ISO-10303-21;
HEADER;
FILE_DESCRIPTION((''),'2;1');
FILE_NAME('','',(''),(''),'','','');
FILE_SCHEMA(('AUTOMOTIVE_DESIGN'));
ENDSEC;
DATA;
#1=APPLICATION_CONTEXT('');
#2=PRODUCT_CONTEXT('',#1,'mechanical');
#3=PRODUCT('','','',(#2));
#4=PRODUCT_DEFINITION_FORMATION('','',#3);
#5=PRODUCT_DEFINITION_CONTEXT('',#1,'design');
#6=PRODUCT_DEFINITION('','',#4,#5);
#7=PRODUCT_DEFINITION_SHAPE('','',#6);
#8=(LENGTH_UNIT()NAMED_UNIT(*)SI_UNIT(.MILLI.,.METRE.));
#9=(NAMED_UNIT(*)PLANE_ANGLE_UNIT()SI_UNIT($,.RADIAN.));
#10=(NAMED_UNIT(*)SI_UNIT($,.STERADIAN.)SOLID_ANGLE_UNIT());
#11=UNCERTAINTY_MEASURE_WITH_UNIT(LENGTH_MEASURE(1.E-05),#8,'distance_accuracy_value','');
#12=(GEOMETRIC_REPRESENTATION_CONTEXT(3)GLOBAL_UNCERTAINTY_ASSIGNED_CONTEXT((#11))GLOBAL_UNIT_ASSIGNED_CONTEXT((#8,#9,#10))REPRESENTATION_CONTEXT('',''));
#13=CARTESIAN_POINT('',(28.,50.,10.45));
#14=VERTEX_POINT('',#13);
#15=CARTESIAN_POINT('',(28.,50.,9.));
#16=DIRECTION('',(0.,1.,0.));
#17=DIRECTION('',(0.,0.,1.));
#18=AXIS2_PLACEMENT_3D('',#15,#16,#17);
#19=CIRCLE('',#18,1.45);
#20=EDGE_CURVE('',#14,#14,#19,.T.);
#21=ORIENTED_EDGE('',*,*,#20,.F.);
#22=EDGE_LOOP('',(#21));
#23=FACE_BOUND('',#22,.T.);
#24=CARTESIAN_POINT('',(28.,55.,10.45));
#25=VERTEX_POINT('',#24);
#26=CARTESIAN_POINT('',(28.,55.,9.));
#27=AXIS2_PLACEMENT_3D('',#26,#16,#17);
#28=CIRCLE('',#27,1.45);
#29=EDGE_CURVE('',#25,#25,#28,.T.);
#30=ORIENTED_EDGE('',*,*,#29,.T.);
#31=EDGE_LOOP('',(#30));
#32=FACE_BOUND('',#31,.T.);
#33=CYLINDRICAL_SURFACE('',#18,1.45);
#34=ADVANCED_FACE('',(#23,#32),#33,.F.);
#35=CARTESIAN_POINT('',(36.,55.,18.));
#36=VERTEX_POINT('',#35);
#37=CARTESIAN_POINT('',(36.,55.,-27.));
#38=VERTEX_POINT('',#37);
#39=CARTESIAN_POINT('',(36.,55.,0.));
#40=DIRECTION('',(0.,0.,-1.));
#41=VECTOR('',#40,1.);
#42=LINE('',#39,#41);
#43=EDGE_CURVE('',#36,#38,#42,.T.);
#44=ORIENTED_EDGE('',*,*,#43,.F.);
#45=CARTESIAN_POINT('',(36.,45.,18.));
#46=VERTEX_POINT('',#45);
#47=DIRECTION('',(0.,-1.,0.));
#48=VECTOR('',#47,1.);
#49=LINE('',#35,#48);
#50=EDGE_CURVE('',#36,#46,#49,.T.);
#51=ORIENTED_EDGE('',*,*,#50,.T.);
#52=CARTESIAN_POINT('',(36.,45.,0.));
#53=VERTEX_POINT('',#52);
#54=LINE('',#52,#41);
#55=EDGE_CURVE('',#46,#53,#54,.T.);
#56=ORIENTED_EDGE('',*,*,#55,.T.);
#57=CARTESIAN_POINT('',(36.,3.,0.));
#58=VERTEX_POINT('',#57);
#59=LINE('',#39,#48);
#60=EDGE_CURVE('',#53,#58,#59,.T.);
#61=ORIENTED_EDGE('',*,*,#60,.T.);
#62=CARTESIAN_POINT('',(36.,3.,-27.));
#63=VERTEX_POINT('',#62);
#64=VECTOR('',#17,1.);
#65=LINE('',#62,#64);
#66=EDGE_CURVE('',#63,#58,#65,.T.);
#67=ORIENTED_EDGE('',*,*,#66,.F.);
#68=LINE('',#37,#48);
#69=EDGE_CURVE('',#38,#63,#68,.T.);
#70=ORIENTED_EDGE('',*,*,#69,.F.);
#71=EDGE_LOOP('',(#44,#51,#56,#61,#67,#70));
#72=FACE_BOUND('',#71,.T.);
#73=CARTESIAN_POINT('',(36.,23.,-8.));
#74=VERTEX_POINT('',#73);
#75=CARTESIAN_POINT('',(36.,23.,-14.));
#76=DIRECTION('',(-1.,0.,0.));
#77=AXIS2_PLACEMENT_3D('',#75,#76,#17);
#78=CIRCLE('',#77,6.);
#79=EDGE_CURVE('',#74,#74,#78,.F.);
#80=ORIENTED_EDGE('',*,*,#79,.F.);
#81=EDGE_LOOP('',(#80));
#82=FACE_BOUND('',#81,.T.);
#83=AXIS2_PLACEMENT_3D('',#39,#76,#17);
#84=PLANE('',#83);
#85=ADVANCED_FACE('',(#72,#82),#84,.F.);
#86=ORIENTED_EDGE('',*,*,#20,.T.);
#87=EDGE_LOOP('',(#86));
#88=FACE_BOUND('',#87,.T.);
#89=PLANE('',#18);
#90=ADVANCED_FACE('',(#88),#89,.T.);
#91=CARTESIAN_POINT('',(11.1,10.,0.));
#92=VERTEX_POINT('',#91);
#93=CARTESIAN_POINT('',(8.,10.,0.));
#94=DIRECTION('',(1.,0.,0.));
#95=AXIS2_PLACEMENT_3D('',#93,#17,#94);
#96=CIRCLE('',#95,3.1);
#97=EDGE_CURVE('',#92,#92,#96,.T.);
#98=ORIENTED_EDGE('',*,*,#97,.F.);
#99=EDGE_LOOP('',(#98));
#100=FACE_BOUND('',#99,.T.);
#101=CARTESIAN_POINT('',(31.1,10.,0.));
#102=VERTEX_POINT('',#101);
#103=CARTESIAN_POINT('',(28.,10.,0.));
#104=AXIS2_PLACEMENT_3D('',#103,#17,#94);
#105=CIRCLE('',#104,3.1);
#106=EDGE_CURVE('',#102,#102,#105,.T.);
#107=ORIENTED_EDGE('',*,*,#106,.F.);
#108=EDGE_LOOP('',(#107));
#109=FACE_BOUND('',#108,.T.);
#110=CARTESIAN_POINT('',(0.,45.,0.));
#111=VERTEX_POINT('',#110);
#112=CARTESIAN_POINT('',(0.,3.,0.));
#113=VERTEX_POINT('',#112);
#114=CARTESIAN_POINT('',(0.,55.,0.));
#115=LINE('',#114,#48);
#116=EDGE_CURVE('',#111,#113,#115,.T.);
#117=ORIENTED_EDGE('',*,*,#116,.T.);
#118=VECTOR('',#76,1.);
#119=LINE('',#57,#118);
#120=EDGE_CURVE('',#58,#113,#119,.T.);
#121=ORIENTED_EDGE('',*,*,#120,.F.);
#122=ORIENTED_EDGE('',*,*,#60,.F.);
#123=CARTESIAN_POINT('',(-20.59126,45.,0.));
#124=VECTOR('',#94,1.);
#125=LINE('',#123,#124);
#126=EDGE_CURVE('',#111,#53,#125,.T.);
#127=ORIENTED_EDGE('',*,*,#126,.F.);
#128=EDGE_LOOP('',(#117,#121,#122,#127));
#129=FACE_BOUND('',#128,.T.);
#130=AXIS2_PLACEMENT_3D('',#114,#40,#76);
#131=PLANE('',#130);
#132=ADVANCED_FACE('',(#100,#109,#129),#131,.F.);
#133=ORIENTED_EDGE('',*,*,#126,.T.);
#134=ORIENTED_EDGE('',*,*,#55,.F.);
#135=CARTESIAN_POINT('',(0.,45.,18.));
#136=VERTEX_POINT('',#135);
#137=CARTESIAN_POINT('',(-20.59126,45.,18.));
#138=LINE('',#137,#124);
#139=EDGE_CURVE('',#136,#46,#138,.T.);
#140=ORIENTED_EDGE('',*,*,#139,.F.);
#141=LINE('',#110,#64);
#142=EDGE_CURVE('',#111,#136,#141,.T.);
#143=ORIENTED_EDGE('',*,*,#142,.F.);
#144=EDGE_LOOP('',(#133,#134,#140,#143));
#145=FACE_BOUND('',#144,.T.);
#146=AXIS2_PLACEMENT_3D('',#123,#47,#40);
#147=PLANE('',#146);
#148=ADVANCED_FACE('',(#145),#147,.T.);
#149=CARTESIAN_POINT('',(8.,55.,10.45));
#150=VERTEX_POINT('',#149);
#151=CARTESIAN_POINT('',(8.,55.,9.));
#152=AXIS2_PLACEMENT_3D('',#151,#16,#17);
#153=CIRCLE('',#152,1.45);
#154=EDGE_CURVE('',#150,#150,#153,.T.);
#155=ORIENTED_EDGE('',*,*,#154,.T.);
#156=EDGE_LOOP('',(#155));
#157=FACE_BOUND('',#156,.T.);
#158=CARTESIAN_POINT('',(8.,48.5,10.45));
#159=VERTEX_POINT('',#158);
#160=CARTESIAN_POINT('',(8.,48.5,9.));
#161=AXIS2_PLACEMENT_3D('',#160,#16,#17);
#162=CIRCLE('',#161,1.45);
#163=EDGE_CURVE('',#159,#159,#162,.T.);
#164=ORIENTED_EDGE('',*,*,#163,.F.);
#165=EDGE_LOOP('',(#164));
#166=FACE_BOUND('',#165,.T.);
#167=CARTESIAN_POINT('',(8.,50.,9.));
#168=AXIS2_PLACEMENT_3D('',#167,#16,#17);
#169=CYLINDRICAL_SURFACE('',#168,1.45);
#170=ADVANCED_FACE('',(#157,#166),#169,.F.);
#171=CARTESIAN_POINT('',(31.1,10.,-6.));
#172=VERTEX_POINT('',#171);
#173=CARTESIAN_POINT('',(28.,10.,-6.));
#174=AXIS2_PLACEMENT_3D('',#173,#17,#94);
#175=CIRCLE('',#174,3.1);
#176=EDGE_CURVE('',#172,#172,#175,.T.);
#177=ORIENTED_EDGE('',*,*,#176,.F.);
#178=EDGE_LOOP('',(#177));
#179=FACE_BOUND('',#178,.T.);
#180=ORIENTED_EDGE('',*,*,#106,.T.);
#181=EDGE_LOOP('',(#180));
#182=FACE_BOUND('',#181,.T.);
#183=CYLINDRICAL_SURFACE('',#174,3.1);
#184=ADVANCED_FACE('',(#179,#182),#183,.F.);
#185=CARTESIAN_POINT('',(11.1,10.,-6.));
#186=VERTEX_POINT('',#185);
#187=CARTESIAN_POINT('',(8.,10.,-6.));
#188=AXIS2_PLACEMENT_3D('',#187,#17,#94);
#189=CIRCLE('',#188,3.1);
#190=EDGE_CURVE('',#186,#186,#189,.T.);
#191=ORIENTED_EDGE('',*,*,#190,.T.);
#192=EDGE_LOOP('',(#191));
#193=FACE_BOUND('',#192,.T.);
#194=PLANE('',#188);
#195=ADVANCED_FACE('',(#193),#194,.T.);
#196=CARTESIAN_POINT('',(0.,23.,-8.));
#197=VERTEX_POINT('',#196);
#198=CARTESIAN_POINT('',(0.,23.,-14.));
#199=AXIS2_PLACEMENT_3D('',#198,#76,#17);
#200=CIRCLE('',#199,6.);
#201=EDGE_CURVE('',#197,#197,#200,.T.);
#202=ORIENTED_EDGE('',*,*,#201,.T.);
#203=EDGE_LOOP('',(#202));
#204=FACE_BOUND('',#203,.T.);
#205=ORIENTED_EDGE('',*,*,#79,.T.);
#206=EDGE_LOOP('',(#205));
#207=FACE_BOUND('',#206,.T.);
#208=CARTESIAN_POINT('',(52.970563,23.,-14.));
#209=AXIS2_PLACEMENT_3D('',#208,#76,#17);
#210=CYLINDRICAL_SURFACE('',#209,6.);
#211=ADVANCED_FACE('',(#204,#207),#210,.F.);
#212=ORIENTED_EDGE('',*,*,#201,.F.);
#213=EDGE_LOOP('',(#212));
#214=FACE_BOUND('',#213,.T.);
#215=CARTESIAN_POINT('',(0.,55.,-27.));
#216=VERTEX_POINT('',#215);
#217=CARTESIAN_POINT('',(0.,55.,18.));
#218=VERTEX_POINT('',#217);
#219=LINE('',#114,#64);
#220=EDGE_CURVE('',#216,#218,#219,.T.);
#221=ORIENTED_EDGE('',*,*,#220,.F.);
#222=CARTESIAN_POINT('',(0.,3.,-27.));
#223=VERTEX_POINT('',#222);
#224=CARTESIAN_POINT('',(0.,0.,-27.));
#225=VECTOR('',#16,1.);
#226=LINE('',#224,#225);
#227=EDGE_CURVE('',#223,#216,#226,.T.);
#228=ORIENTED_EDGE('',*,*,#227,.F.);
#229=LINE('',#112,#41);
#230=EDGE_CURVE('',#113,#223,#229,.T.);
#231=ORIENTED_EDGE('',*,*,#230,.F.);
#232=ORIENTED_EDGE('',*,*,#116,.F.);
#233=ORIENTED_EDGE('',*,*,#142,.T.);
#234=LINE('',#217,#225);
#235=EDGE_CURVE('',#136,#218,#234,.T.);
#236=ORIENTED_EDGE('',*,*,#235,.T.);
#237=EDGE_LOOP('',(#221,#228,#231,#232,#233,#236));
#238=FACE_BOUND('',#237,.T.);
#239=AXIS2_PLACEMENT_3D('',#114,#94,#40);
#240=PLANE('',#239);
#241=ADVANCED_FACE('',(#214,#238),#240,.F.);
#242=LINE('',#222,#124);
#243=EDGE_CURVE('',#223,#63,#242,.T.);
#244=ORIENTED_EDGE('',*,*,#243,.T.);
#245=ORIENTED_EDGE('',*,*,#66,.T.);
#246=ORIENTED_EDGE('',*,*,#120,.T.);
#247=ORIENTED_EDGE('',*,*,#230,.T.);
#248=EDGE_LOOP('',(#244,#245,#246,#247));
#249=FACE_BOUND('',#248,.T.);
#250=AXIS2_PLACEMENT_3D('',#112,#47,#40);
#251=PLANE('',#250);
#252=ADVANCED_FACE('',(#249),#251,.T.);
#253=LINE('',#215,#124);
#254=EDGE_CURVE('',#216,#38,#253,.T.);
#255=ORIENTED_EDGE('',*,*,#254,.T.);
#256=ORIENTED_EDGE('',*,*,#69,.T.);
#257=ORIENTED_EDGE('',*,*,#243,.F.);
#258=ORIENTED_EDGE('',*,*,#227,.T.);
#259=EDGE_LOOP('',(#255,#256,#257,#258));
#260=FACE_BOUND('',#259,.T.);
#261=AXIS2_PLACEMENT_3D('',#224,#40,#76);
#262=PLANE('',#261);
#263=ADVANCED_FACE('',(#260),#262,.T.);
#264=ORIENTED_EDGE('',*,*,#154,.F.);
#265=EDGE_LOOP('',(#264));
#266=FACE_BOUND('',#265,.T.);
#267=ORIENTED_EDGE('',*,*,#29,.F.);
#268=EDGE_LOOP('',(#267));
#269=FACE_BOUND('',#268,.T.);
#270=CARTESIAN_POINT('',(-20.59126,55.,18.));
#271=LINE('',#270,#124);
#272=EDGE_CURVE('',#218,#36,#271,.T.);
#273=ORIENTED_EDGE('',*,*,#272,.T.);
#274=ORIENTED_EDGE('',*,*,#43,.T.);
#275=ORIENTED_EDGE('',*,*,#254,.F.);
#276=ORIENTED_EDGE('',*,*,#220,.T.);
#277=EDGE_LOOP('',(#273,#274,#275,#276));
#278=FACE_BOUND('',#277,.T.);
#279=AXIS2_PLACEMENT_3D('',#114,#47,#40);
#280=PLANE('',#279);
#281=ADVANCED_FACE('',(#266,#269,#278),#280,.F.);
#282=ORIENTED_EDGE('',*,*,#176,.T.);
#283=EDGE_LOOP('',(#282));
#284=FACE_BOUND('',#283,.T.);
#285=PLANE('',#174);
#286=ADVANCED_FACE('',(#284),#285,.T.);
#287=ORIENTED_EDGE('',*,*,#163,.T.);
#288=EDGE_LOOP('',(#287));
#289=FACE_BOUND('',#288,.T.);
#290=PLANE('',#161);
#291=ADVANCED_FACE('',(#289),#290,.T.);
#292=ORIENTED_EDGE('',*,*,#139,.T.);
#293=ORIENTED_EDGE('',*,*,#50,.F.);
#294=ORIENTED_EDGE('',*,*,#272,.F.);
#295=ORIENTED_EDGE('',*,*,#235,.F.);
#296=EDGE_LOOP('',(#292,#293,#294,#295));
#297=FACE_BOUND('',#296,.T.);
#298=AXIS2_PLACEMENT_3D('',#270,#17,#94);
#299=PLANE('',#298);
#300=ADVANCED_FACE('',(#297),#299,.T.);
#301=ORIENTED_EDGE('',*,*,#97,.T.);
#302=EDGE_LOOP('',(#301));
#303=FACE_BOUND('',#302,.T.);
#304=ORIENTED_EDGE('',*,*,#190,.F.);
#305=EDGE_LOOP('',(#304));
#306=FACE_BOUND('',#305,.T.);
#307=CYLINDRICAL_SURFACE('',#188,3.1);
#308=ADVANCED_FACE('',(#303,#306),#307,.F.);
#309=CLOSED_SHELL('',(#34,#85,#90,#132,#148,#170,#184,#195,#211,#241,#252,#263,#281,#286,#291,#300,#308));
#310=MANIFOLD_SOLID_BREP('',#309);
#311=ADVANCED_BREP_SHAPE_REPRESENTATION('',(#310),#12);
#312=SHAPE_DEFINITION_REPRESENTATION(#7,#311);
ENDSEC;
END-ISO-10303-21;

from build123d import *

# Parameters (mm, degrees)
SKETCH_1_W          = 36
SKETCH_1_H          = 24
EXTRUDE_1_DEPTH     = 55
SKETCH_2_R          = 6
CUT_EXTRUDE_1_DEPTH = 36
SKETCH_3_R          = 3.1
CUT_EXTRUDE_2_DEPTH = 6
SKETCH_5_W          = 18
SKETCH_5_H          = 10
EXTRUDE_2_DEPTH     = 36
SKETCH_6_R          = 1.45
CUT_EXTRUDE_3_DEPTH = 5
SKETCH_7_W          = 36
SKETCH_7_H          = 55
EXTRUDE_3_DEPTH     = 3
SKETCH_8_W          = 36
SKETCH_8_H          = 27
CUT_EXTRUDE_4_DEPTH = 3
SKETCH_9_R          = 1.45
CUT_EXTRUDE_5_DEPTH = 1.5


with BuildPart() as part:
    # 草图1 → 凸台-拉伸1 (new body)
    with BuildSketch(Plane(origin=(0, 0, 0), x_dir=(1, 0, 0), z_dir=(0, 1, 0))):
        with Locations((18, 12)):
            Rectangle(SKETCH_1_W, SKETCH_1_H)
    extrude(amount=EXTRUDE_1_DEPTH)

    # 草图2 → 切除-拉伸1 (cut)
    with BuildSketch(Plane.ZY):
        with Locations((-14, 23)):
            Circle(SKETCH_2_R)
    extrude(amount=-CUT_EXTRUDE_1_DEPTH, mode=Mode.SUBTRACT)

    # 草图3 → 切除-拉伸2 (cut)
    with BuildSketch(Plane.XY):
        with Locations((8, 10)):
            Circle(SKETCH_3_R)
        with Locations((28, 10)):
            Circle(SKETCH_3_R)
    extrude(amount=-CUT_EXTRUDE_2_DEPTH, mode=Mode.SUBTRACT)

    # 草图5 → 凸台-拉伸2 (add)
    with BuildSketch(Plane(origin=(36, 0, 0), x_dir=(0, 0, -1), z_dir=(1, 0, 0))):
        with Locations((-9, 50)):
            Rectangle(SKETCH_5_W, SKETCH_5_H)
    extrude(amount=-EXTRUDE_2_DEPTH)

    # 草图6 → 切除-拉伸3 (cut)
    with BuildSketch(Plane(origin=(0, 55, 0), x_dir=(1, 0, 0), z_dir=(0, 1, 0))):
        with Locations(Location((28, -9, 0), (0, 0, 270))):
            Circle(SKETCH_6_R)
        with Locations(Location((8, -9, 0), (0, 0, 270))):
            Circle(SKETCH_6_R)
    extrude(amount=-CUT_EXTRUDE_3_DEPTH, mode=Mode.SUBTRACT)

    # 草图7 → 凸台-拉伸3 (add)
    with BuildSketch(Plane(origin=(0, 0, -24), x_dir=(-1, 0, 0), z_dir=(0, 0, -1))):
        with Locations((-18, 27.5)):
            Rectangle(SKETCH_7_W, SKETCH_7_H)
    extrude(amount=EXTRUDE_3_DEPTH)

    # 草图8 → 切除-拉伸4 (cut)
    with BuildSketch(Plane.XZ):
        with Locations((18, -13.5)):
            Rectangle(SKETCH_8_W, SKETCH_8_H)
    extrude(amount=-CUT_EXTRUDE_4_DEPTH, mode=Mode.SUBTRACT)

    # 草图9 → 切除-拉伸5 (cut)
    with BuildSketch(Plane(origin=(0, 50, 0), x_dir=(1, 0, 0), z_dir=(0, 1, 0))):
        with Locations(Location((8, -9, 0), (0, 0, 270))):
            Circle(SKETCH_9_R)
    extrude(amount=-CUT_EXTRUDE_5_DEPTH, mode=Mode.SUBTRACT)


solid = part.part
